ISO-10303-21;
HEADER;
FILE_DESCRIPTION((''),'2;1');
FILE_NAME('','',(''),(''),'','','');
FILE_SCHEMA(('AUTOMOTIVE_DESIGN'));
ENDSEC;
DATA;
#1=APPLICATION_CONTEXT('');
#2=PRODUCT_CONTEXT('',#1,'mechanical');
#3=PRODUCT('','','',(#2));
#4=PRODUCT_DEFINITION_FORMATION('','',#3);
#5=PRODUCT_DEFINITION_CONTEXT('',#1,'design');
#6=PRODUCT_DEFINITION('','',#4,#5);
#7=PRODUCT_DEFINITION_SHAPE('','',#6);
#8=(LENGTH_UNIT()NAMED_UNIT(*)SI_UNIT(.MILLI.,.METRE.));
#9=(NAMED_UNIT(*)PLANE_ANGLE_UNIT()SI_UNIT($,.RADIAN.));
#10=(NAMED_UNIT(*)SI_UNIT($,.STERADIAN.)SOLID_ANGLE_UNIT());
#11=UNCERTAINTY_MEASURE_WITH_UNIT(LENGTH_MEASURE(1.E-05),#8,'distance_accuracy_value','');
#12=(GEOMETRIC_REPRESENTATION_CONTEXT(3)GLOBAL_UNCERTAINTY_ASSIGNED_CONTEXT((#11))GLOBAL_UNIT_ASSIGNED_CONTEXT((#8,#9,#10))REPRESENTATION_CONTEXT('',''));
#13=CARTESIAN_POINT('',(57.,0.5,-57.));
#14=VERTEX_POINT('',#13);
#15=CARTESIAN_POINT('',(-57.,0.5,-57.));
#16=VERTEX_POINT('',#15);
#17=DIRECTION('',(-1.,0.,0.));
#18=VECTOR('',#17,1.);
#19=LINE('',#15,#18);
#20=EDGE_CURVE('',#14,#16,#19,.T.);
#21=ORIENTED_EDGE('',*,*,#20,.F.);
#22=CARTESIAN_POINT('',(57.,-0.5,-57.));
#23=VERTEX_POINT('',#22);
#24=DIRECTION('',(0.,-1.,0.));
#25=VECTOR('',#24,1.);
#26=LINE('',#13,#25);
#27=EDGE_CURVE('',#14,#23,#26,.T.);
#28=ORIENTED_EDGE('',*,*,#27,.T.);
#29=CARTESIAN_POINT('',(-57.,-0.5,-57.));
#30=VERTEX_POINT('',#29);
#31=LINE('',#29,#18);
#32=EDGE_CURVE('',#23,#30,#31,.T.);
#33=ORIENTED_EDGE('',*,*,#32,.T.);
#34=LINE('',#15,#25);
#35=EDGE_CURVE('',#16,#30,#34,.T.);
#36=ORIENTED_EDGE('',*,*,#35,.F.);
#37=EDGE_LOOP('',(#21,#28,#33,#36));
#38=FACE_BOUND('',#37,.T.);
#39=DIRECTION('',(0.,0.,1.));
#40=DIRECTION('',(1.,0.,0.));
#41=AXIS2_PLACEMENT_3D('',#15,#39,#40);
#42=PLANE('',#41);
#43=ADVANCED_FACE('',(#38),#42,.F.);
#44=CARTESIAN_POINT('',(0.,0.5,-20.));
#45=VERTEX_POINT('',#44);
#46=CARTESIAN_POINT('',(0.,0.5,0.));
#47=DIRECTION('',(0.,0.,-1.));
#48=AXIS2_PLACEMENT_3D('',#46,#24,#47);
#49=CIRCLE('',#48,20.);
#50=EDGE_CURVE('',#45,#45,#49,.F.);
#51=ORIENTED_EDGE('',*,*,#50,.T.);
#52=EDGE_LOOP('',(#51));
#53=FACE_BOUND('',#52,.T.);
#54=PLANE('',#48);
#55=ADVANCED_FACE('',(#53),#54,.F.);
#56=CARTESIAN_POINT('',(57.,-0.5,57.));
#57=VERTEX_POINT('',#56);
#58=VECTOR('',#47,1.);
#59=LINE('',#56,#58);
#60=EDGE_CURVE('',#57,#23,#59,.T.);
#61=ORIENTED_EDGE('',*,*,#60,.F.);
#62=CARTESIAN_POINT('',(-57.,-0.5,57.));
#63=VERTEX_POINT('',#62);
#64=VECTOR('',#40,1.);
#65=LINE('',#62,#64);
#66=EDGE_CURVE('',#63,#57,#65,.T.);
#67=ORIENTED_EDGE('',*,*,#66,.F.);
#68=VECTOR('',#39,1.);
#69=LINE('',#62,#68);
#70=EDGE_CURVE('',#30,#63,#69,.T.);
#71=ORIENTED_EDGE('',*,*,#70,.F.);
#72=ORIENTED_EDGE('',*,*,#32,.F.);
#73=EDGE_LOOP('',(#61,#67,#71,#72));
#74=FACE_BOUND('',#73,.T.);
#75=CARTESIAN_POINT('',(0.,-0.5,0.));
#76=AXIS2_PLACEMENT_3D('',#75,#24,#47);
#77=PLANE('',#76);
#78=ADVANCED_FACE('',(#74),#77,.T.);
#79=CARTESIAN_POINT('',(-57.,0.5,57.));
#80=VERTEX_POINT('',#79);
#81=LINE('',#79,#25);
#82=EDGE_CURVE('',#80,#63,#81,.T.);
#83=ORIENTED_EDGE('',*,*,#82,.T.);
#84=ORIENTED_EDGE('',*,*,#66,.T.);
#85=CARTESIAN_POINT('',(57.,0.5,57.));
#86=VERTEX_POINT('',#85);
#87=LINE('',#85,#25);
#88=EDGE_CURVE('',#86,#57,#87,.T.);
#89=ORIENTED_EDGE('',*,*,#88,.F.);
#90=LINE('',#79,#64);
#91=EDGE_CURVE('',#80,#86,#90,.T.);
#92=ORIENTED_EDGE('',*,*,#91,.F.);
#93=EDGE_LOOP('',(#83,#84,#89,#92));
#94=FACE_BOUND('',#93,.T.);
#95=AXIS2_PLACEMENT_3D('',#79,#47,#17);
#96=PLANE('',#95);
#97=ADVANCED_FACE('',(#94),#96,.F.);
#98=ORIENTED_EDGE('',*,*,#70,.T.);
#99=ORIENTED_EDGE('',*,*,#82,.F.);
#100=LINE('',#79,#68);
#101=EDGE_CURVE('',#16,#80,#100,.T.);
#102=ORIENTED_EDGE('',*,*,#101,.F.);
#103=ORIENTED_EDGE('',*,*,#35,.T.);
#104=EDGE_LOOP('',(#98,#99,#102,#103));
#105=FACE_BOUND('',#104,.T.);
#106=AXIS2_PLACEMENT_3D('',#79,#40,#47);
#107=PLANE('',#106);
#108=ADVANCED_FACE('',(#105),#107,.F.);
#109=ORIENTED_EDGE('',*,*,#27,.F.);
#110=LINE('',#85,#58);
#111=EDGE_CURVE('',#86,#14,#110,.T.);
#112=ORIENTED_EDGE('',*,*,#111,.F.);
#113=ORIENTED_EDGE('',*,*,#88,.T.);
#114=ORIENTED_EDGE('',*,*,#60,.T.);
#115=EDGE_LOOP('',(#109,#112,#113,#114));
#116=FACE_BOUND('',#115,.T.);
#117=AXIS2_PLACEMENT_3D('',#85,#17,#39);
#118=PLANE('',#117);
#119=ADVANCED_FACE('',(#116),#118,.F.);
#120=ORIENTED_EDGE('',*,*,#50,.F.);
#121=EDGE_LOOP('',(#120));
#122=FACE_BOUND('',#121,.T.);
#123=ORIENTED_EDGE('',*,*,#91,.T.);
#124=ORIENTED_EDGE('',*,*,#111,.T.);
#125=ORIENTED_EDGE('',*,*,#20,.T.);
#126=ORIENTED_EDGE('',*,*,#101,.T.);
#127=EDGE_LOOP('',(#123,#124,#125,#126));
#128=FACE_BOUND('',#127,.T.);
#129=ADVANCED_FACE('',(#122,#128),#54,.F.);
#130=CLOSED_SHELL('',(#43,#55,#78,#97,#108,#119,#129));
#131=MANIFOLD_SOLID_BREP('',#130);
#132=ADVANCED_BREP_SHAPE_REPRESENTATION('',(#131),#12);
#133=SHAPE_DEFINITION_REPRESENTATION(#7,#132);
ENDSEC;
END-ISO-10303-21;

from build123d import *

# Parameters (mm, degrees)
SKETCH1_W           = 114
SKETCH1_H           = 114
BOSS_EXTRUDE1_DEPTH = 0.5


with BuildPart() as part:
    # Sketch1 → Boss-Extrude1 (new, symmetric)
    with BuildSketch(Plane(origin=(0, 0, 0), x_dir=(1, 0, 0), z_dir=(0, 1, 0))):
        Rectangle(SKETCH1_W, SKETCH1_H)
    extrude(amount=BOSS_EXTRUDE1_DEPTH, both=True)


solid = part.part
